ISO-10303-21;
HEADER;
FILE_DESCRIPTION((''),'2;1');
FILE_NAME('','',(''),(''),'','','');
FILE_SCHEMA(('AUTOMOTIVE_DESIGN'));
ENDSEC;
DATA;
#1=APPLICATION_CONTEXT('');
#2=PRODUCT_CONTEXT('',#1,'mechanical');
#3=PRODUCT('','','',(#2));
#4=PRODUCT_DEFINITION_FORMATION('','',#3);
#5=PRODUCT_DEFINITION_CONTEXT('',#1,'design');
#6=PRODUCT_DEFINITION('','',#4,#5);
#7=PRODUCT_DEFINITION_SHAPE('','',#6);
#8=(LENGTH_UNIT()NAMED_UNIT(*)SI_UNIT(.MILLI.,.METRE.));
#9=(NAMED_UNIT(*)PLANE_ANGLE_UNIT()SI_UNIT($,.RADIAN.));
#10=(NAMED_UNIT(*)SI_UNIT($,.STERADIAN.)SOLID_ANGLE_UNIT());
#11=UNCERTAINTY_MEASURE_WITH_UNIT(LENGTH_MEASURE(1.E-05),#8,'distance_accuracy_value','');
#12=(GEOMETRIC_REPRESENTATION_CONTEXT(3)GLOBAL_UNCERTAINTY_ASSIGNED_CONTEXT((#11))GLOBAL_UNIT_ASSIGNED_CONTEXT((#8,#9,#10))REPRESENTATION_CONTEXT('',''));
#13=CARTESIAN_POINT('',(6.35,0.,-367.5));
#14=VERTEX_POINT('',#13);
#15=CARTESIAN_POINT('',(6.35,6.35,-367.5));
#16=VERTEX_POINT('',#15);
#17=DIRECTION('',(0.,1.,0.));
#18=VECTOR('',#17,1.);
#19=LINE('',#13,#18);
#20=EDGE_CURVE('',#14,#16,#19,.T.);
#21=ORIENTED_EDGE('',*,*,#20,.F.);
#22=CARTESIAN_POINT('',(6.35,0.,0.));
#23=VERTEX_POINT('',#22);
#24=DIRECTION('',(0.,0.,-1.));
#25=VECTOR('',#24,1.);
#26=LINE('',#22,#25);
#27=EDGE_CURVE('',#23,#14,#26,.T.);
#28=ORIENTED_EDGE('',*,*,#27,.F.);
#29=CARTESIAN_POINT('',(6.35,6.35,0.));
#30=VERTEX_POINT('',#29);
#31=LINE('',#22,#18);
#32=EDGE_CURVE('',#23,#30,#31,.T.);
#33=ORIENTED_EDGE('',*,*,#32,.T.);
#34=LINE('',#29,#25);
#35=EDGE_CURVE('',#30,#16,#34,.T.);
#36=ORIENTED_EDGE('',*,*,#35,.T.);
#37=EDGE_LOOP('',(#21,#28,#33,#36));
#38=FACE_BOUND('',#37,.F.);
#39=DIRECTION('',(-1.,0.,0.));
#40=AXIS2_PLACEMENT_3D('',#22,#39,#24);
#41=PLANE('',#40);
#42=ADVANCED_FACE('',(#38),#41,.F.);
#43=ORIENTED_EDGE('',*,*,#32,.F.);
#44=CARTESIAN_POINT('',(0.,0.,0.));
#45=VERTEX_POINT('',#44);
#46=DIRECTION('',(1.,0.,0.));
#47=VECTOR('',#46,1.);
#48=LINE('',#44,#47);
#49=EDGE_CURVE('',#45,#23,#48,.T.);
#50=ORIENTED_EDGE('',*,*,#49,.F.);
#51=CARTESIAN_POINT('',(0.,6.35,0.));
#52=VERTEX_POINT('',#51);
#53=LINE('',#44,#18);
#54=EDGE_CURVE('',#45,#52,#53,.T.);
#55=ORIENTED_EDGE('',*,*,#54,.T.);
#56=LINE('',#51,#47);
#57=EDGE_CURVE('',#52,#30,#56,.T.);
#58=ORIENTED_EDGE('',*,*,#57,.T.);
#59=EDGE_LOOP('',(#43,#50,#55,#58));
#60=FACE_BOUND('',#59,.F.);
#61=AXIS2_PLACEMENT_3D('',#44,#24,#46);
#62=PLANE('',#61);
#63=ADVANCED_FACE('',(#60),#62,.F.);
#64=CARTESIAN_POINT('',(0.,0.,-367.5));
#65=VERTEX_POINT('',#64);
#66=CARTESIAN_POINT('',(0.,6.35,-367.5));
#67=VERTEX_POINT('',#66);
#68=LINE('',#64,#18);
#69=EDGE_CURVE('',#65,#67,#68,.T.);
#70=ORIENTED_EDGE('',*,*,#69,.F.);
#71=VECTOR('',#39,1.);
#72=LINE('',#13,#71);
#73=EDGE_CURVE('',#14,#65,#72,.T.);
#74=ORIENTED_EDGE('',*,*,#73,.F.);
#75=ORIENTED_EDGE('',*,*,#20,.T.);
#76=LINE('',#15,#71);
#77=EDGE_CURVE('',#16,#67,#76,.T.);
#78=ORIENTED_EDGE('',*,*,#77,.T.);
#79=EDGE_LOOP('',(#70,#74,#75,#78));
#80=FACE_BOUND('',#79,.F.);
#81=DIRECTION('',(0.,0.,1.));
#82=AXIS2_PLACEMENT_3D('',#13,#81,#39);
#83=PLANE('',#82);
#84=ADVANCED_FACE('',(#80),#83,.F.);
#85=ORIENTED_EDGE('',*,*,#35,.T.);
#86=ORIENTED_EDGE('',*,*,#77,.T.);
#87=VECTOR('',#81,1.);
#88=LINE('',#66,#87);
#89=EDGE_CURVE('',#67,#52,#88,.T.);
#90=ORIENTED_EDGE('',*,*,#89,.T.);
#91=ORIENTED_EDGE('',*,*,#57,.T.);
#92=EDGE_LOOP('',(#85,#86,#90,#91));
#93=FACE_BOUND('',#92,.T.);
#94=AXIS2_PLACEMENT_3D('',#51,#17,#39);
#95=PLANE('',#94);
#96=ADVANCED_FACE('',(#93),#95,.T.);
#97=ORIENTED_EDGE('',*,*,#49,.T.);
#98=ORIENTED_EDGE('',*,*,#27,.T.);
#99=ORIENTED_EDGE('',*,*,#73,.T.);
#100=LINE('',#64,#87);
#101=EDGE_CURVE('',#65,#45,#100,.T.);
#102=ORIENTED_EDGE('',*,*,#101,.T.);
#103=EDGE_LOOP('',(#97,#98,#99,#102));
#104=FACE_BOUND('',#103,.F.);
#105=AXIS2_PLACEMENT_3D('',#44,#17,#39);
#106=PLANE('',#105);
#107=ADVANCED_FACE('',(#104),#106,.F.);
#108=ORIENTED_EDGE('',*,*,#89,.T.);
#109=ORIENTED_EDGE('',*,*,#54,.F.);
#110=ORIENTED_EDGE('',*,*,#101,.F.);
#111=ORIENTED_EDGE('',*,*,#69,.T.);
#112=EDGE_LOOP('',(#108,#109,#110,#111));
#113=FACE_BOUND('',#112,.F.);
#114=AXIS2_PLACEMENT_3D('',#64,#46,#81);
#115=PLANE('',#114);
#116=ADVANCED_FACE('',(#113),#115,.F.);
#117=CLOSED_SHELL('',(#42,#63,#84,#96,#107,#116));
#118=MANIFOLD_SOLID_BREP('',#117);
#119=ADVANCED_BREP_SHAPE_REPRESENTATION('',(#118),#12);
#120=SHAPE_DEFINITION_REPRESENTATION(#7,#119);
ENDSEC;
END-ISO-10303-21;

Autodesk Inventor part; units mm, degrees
ref_plane "YZ Plane" through (0, 0, 0) normal (1, 0, 0) x (0, 1, 0)
ref_plane "XZ Plane" through (0, 0, 0) normal (0, 1, 0) x (-1, 0, 0)
ref_plane "XY Plane" through (0, 0, 0) normal (0, 0, 1) x (1, 0, 0)
sketch "Sketch1" plane through (0, 0, 0) normal (0, 1, 0) x (-1, 0, 0)
  line L0 (0, 0) -> (-6.35, 0)
  line L1 (-6.35, 0) -> (-6.35, -367.5)
  line L2 (-6.35, -367.5) -> (0, -367.5)
  line L3 (0, -367.5) -> (0, 0)
  dimension "d0" = 6.35
  dimension "d1" = 367.5
extrude "Extrusion1" add sketch "Sketch1" along normal blind 6.35
properties part number "OverBottomSupport"
